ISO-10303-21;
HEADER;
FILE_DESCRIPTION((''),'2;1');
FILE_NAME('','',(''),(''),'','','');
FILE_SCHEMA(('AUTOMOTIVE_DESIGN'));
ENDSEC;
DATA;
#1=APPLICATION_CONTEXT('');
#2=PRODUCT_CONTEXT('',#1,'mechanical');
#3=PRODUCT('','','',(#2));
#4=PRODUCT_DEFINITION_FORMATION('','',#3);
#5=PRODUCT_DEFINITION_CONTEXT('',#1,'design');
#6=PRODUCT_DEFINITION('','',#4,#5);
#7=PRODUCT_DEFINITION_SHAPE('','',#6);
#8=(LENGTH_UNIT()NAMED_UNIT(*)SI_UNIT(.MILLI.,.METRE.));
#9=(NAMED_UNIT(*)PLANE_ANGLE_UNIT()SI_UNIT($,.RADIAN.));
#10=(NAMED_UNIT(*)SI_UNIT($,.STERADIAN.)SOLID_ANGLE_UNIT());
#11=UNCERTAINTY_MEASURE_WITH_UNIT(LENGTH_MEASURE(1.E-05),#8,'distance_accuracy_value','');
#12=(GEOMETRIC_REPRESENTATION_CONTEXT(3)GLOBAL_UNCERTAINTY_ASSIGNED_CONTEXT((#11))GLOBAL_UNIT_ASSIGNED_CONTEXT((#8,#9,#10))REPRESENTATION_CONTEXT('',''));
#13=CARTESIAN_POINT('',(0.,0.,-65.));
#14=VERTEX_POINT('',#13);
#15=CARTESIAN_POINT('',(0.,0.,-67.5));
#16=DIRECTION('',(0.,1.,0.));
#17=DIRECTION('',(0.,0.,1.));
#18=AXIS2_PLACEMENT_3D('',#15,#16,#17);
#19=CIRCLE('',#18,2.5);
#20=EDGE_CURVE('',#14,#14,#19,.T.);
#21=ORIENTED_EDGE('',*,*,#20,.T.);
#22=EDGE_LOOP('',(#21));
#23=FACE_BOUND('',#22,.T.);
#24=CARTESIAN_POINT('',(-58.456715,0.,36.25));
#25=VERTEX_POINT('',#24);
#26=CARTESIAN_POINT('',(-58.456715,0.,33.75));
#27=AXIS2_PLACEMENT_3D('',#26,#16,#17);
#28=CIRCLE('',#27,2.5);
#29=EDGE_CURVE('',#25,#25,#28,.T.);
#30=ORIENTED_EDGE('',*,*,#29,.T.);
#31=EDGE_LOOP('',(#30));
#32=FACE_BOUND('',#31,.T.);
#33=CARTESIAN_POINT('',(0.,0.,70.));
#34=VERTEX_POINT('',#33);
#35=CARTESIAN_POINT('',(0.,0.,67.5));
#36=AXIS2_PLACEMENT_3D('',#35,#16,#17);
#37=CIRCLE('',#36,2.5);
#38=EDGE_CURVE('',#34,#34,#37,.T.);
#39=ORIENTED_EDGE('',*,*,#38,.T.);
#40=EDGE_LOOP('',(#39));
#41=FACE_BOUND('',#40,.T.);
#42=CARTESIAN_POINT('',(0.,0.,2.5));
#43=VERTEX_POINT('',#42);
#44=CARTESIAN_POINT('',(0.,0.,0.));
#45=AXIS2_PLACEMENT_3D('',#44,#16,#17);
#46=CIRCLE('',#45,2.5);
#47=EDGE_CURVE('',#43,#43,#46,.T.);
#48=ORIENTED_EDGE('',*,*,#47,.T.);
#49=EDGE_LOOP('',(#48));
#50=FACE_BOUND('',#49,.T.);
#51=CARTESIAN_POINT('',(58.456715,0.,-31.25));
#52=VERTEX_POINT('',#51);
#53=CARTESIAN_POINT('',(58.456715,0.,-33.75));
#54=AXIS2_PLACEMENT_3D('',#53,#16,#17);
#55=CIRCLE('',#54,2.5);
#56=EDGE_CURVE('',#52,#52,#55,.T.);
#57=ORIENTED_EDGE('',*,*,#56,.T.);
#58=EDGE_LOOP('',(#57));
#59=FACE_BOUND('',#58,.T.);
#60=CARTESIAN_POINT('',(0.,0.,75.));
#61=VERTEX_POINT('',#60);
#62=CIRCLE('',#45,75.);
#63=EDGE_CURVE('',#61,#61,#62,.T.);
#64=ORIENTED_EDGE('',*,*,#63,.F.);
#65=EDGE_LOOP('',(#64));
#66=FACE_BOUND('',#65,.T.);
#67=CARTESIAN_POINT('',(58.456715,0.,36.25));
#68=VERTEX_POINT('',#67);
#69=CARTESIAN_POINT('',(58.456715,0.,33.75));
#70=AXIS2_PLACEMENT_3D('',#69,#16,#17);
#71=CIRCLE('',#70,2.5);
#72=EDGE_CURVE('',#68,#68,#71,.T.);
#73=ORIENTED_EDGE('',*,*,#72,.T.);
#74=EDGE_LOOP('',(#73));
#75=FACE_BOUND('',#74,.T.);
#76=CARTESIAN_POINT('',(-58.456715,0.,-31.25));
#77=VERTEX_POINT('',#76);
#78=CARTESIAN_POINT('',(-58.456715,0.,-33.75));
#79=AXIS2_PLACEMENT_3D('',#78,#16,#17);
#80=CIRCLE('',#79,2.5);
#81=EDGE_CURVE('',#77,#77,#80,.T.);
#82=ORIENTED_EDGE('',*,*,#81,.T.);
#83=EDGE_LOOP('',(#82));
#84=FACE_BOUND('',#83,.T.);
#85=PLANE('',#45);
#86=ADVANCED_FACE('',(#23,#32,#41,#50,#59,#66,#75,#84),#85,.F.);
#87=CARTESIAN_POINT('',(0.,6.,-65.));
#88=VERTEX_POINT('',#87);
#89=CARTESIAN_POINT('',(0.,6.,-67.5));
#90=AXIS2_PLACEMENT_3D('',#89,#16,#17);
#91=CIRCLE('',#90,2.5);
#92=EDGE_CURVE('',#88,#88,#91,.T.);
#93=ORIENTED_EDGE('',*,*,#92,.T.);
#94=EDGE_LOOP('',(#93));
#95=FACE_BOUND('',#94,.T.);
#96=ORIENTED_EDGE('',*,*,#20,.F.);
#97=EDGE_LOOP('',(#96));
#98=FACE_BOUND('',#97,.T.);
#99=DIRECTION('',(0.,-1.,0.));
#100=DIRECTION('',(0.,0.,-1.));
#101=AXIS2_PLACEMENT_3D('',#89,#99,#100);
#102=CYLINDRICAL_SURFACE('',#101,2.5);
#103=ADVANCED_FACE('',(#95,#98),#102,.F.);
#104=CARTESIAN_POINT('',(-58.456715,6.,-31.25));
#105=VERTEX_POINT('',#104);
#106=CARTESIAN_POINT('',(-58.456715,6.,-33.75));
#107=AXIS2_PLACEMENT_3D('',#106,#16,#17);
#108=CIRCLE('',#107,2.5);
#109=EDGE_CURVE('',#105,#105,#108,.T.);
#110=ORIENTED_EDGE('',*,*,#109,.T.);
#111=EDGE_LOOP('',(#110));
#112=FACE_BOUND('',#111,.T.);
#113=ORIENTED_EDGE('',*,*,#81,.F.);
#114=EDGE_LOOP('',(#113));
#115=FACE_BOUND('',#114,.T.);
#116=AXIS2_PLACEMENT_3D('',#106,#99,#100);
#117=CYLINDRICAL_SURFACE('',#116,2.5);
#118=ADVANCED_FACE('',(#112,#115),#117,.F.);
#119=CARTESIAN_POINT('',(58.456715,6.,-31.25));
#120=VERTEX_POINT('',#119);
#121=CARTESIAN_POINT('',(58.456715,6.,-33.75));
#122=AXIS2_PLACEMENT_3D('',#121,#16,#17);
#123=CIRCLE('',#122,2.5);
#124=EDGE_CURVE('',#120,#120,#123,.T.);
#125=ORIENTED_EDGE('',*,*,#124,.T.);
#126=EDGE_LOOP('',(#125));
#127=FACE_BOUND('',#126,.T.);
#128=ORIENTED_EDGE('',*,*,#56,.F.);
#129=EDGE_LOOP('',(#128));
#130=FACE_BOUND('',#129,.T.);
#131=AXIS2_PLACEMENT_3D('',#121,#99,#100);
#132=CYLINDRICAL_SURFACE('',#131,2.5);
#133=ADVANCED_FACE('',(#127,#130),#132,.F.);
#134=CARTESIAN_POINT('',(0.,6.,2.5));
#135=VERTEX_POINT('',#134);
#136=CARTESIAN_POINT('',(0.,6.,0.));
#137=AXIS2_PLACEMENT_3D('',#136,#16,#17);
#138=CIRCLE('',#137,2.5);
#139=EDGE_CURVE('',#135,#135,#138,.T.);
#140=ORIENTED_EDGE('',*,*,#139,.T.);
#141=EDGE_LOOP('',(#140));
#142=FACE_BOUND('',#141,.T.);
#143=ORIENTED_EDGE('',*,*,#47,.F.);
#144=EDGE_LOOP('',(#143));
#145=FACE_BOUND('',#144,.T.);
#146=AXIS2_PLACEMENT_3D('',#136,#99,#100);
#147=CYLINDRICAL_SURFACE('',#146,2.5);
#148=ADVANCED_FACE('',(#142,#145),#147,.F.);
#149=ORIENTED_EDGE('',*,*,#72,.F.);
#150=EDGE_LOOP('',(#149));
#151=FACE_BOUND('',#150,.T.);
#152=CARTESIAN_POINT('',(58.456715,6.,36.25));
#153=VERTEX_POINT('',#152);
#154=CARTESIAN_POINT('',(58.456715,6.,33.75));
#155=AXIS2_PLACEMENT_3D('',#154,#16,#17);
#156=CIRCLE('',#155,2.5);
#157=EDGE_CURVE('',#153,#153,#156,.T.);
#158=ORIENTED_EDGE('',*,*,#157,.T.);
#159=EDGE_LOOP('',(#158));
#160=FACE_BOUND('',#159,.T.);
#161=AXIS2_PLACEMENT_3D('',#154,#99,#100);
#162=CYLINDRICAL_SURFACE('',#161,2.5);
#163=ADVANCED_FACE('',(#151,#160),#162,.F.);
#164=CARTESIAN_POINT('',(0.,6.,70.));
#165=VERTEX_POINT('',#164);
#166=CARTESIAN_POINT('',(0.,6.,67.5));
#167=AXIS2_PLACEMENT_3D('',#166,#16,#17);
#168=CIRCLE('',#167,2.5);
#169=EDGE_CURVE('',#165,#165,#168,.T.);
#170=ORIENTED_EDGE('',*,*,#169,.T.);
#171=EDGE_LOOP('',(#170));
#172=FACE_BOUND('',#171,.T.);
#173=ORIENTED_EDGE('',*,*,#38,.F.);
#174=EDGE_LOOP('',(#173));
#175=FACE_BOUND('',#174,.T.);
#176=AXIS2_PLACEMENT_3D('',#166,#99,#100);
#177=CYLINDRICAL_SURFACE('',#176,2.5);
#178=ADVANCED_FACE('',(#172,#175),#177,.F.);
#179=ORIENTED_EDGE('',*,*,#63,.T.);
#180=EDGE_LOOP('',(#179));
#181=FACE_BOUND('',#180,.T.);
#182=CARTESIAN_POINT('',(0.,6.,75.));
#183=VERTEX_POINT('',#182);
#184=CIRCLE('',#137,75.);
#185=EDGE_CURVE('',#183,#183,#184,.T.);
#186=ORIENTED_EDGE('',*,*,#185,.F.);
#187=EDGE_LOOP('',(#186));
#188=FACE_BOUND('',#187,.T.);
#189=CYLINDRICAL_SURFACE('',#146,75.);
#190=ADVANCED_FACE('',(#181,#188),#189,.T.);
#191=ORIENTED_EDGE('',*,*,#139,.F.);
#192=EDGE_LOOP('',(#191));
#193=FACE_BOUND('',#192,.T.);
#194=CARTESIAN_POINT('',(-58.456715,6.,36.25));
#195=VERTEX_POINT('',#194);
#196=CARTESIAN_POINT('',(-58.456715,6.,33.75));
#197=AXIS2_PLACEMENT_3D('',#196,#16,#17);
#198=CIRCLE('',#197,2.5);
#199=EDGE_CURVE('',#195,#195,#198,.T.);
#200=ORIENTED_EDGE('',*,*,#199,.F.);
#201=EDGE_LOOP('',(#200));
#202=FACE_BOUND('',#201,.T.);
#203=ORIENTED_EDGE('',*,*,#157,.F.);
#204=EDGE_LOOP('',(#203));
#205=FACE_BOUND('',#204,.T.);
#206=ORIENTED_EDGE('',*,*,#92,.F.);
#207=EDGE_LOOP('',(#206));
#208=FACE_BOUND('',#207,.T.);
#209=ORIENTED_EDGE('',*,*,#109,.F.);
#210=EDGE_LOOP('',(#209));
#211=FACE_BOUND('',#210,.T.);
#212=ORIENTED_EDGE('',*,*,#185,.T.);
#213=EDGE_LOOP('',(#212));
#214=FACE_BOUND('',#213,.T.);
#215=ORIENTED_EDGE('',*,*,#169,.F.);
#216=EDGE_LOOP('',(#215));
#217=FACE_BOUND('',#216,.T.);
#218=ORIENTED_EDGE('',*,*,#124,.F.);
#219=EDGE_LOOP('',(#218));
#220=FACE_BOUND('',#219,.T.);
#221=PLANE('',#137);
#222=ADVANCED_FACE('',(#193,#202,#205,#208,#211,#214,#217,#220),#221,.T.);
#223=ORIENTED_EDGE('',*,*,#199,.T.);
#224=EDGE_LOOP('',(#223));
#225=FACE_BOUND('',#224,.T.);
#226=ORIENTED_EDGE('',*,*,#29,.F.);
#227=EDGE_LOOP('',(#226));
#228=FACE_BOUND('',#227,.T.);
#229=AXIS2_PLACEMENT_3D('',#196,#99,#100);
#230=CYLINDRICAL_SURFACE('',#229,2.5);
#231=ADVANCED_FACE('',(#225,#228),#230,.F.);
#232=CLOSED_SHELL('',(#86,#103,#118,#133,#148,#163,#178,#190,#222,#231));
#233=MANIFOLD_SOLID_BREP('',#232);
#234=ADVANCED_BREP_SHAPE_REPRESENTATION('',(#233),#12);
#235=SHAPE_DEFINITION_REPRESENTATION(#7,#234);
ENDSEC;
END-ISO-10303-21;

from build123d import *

# Parameters (mm, degrees)
SKETCH1_R           = 75
SKETCH1_R_2         = 2.5
BOSS_EXTRUDE1_DEPTH = 6


with BuildPart() as part:
    # Sketch1 → Boss-Extrude1 (new body)
    with BuildSketch(Plane(origin=(0, 0, 0), x_dir=(1, 0, 0), z_dir=(0, 1, 0))):
        with Locations(Location((0, 0, 0), (0, 0, 270))):
            Circle(SKETCH1_R)
        with Locations(Location((0, 67.5, 0), (0, 0, 270))):
            Circle(SKETCH1_R_2, mode=Mode.SUBTRACT)
        with Locations(Location((58.456714755, 33.75, 0), (0, 0, 270))):
            Circle(SKETCH1_R_2, mode=Mode.SUBTRACT)
        with Locations(Location((58.456714755, -33.75, 0), (0, 0, 270))):
            Circle(SKETCH1_R_2, mode=Mode.SUBTRACT)
        with Locations(Location((0, -67.5, 0), (0, 0, 270))):
            Circle(SKETCH1_R_2, mode=Mode.SUBTRACT)
        with Locations(Location((-58.456714755, -33.75, 0), (0, 0, 270))):
            Circle(SKETCH1_R_2, mode=Mode.SUBTRACT)
        with Locations(Location((-58.456714755, 33.75, 0), (0, 0, 270))):
            Circle(SKETCH1_R_2, mode=Mode.SUBTRACT)
        with Locations(Location((0, 0, 0), (0, 0, 270))):
            Circle(SKETCH1_R_2, mode=Mode.SUBTRACT)
    extrude(amount=BOSS_EXTRUDE1_DEPTH)


solid = part.part
